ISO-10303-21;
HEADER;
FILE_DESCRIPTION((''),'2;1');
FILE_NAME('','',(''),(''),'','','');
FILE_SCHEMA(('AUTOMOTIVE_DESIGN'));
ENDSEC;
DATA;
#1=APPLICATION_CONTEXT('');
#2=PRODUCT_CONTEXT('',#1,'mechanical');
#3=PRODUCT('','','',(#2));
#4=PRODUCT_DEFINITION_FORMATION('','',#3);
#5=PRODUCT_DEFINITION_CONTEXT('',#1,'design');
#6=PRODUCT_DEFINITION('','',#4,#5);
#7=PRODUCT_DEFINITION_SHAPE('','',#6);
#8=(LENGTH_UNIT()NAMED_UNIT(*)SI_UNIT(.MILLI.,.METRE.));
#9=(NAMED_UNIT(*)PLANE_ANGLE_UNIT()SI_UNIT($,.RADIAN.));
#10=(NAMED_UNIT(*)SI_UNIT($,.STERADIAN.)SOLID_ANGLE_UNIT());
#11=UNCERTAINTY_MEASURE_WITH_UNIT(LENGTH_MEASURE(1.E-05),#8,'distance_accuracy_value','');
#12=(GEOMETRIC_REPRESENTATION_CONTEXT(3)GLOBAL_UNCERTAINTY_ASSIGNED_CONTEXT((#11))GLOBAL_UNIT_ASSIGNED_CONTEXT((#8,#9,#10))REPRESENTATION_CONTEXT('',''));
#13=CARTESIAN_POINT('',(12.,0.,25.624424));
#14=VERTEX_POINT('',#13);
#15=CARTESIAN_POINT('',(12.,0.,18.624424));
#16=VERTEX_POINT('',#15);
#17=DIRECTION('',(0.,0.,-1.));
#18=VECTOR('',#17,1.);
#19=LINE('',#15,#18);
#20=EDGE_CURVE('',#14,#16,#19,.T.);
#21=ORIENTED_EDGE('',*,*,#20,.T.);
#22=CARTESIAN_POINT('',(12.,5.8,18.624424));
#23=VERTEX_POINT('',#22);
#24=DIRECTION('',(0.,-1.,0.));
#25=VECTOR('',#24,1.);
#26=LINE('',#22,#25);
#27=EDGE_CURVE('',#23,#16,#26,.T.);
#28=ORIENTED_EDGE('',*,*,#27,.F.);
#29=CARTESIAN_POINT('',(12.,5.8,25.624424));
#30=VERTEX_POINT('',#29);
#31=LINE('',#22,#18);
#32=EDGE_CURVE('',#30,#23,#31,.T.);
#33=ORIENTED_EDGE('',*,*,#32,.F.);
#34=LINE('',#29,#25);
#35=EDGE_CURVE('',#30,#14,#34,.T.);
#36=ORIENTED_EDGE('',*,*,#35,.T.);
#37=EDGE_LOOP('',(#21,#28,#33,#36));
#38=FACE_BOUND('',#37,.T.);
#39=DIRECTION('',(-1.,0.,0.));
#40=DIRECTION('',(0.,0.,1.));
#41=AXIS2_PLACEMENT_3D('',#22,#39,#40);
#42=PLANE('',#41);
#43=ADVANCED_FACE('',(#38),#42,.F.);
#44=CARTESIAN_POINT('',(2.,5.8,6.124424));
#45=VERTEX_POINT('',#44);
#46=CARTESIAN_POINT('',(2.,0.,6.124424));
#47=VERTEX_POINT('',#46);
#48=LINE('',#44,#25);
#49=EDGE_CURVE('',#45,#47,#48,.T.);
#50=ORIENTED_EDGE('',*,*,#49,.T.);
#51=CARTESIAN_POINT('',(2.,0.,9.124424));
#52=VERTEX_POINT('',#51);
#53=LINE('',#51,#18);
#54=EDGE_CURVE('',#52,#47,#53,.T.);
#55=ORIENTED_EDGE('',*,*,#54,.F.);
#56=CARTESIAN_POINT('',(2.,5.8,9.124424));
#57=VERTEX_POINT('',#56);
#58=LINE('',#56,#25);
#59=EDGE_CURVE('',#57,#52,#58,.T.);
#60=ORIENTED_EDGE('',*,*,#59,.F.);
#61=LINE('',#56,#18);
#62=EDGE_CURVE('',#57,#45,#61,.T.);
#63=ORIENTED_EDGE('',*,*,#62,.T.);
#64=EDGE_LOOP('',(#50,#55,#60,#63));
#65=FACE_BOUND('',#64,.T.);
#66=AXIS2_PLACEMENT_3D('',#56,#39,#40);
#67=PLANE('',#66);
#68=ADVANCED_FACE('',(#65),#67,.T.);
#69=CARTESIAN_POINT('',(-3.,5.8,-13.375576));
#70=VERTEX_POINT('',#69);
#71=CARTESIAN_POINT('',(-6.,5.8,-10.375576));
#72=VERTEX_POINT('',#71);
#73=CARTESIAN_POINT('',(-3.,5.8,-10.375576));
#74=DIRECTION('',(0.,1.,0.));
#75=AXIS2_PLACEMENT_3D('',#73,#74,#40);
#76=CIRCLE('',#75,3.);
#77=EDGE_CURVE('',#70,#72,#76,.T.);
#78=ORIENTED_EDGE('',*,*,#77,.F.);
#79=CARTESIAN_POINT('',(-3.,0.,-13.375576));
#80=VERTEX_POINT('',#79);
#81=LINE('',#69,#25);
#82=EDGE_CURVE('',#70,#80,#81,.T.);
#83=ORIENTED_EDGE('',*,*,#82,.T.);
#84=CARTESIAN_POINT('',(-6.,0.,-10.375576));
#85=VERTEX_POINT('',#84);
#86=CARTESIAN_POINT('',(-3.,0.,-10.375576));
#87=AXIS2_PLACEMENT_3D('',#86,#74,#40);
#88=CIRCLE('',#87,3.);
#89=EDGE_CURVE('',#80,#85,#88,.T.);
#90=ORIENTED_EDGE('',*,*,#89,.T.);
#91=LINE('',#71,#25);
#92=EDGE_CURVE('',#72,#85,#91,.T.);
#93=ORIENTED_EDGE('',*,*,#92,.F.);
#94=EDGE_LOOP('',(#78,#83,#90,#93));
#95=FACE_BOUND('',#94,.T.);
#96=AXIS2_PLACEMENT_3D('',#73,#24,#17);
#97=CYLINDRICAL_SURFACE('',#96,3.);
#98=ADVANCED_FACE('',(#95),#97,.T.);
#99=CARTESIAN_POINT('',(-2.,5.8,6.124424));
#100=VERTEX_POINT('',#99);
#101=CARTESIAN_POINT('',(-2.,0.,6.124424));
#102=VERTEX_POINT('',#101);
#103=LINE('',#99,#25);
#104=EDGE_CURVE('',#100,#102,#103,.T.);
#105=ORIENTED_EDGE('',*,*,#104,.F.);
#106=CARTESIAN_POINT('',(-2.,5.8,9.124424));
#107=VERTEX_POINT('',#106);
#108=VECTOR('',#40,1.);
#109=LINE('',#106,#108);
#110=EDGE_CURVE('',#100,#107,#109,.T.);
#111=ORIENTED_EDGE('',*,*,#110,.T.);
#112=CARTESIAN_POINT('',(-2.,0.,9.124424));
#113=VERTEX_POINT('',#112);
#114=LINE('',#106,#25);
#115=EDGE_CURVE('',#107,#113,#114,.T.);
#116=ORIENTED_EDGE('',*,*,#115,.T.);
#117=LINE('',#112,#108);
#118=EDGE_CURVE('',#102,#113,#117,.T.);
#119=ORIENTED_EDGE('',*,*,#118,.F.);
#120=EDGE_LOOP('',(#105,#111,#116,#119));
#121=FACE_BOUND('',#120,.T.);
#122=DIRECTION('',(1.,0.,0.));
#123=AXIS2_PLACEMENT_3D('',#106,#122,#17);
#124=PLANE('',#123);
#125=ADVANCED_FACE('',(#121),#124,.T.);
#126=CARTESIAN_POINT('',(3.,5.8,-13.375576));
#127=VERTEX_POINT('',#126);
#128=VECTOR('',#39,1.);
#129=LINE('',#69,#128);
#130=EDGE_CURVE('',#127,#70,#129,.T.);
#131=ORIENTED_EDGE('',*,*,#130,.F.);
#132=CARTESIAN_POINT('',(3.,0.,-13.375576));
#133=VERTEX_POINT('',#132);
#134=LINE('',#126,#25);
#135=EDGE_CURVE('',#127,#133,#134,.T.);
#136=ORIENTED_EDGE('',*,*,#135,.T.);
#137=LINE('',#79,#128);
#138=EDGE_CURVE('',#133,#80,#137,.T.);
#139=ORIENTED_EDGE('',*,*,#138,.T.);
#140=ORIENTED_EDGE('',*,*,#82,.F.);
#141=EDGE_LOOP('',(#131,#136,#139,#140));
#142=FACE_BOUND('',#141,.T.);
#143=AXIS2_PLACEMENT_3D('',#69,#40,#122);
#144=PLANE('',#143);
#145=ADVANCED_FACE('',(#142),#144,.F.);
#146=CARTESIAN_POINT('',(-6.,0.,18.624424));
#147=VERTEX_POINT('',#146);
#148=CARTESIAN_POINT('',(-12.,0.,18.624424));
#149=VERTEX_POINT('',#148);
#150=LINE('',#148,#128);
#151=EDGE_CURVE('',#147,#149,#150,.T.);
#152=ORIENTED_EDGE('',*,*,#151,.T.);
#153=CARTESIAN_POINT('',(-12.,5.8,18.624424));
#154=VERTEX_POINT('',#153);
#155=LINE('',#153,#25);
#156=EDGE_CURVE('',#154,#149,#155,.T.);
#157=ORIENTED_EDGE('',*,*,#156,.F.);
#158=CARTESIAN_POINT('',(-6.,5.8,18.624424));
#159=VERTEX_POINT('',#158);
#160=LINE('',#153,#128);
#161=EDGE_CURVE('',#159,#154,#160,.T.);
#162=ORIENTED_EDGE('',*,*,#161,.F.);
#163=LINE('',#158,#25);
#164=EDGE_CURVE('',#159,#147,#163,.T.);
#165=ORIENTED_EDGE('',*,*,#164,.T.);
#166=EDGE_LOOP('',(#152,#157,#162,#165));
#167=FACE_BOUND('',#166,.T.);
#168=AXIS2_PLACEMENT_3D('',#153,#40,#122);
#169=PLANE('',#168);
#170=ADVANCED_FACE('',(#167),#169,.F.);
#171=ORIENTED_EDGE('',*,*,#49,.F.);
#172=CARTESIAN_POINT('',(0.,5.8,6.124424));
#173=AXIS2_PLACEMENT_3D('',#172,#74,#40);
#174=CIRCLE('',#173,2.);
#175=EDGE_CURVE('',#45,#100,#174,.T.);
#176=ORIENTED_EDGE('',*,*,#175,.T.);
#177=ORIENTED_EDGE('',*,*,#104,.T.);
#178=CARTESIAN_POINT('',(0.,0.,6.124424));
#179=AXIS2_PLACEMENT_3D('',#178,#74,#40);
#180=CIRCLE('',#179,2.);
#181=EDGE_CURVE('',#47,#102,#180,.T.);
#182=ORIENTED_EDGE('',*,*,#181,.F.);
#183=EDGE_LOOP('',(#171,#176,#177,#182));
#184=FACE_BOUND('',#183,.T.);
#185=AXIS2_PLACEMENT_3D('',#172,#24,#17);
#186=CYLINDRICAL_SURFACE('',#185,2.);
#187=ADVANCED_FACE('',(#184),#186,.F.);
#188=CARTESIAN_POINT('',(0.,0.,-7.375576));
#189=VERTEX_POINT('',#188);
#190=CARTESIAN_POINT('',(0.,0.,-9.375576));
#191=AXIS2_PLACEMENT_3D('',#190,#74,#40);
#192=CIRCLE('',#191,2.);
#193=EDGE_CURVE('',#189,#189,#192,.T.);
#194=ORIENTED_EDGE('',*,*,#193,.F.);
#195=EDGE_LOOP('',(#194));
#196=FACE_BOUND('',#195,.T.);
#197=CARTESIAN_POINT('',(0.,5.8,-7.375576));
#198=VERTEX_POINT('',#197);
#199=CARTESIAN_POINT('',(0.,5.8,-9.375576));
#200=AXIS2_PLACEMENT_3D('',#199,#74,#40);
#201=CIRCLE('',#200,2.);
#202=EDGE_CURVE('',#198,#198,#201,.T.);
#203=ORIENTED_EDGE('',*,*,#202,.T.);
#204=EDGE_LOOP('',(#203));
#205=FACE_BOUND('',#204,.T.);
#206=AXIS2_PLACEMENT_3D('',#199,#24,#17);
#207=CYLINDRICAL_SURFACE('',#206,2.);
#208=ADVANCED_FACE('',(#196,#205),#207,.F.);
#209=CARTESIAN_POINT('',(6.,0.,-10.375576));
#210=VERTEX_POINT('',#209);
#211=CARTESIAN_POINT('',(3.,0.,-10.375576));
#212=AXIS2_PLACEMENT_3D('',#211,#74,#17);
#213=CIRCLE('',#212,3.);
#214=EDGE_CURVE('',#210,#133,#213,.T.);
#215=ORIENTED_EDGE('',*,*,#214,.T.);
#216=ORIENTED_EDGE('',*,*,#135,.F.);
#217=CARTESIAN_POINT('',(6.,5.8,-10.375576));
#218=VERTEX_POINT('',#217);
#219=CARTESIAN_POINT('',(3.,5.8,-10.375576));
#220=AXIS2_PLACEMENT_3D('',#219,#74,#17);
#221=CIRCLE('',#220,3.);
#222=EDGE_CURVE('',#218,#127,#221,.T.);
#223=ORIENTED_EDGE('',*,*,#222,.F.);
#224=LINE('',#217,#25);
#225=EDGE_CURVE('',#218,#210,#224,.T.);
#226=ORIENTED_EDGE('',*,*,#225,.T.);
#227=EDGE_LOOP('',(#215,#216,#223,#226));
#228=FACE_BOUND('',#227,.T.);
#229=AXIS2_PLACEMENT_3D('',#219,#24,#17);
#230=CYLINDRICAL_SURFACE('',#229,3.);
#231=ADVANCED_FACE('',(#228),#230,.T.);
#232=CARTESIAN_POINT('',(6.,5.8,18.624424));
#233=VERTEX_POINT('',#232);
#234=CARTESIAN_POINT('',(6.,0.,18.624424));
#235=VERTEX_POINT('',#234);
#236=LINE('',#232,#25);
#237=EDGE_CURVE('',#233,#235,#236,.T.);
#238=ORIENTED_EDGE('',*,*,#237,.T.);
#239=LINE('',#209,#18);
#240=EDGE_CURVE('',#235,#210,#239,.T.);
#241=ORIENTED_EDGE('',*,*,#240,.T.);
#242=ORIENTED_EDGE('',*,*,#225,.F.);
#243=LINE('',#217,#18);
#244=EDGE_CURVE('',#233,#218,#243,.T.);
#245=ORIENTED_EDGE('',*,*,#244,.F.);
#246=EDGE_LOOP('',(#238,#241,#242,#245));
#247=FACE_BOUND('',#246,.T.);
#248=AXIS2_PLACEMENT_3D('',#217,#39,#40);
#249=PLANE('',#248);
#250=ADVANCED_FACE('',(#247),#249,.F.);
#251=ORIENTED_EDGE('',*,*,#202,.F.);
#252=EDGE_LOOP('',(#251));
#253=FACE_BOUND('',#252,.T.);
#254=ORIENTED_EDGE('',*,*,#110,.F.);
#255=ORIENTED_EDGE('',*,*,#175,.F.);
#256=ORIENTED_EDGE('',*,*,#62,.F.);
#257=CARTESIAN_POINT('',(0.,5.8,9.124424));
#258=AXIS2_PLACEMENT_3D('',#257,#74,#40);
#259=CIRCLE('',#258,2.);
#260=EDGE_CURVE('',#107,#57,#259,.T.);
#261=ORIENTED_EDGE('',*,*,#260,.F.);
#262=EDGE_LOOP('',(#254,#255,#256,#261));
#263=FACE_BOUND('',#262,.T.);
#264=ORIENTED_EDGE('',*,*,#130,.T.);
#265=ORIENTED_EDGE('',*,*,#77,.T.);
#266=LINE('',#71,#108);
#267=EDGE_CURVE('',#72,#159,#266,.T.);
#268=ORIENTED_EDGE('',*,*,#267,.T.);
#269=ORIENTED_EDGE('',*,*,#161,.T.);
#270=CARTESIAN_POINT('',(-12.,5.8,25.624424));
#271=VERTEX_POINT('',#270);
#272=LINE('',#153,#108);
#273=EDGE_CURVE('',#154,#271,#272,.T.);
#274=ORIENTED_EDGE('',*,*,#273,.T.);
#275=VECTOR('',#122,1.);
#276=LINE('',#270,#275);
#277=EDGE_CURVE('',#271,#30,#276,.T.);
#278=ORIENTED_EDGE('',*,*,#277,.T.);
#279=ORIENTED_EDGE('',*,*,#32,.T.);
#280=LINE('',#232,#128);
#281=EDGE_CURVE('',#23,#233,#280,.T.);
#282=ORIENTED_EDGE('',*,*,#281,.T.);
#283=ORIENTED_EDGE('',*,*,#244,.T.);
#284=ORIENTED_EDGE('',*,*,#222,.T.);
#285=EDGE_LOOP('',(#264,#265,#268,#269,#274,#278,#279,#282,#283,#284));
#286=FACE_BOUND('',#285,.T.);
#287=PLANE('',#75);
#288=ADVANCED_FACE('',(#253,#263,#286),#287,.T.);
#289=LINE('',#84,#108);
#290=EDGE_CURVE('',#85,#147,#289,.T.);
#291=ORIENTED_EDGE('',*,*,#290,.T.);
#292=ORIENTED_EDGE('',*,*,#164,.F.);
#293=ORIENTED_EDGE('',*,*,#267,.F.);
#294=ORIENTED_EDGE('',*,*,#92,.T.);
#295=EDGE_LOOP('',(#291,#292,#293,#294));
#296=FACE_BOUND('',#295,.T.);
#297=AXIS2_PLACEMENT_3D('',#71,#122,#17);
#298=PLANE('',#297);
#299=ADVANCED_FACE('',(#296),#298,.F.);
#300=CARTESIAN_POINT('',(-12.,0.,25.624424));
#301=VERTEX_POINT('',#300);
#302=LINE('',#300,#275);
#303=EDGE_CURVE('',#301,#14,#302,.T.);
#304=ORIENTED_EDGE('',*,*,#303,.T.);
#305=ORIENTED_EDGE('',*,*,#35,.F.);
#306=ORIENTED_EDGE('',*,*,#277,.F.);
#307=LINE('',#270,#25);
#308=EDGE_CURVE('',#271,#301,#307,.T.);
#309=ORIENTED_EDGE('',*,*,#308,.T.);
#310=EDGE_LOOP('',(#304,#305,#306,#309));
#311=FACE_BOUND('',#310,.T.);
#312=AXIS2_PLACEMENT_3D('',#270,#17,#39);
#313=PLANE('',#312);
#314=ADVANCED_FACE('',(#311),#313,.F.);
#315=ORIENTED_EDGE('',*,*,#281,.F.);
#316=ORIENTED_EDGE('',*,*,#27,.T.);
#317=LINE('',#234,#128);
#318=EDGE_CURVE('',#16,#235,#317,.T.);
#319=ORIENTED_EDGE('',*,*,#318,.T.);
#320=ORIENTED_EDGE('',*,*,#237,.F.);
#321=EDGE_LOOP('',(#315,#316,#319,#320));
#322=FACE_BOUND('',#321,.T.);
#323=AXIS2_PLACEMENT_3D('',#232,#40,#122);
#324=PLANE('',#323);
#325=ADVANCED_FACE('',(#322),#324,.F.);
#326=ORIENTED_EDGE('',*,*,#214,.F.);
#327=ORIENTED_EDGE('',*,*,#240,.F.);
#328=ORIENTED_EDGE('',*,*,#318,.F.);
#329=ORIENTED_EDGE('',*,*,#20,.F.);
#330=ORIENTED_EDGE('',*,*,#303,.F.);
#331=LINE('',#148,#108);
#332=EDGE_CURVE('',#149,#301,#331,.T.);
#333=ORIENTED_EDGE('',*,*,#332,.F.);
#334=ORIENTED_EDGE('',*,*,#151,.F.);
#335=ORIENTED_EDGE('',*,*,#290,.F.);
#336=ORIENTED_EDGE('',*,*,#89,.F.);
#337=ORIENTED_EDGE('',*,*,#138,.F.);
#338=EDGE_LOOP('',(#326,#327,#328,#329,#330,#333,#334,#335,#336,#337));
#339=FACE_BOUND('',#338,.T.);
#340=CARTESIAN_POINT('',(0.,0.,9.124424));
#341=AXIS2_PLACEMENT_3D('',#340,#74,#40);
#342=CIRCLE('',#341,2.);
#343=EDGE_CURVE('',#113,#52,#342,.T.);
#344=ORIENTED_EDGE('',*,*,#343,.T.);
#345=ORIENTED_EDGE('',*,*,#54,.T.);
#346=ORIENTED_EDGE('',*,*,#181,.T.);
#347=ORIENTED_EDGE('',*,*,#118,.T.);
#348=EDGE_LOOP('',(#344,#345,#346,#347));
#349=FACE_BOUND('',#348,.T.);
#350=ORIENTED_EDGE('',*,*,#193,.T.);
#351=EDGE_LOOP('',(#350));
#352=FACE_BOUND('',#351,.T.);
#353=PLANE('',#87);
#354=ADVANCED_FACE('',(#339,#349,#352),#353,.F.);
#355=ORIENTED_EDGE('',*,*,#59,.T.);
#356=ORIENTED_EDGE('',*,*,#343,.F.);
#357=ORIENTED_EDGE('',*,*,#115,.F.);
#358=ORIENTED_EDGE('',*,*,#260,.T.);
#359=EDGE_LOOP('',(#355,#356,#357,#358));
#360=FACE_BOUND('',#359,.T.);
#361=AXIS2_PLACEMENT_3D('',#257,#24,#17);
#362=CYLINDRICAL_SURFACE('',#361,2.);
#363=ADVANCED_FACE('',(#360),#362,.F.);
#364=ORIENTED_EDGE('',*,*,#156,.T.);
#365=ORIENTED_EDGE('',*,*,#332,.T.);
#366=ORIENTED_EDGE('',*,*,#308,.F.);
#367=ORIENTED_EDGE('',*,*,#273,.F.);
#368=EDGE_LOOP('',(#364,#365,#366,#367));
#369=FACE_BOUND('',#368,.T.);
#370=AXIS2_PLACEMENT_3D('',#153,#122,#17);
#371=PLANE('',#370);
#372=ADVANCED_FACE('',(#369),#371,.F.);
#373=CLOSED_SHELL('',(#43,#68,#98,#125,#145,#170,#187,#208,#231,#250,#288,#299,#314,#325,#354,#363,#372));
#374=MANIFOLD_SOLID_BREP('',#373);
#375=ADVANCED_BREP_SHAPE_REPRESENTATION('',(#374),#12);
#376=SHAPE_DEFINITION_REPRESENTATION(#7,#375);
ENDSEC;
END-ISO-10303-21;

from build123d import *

# Parameters (mm, degrees)
SKETCH1_R           = 2
BOSS_EXTRUDE1_DEPTH = 5.8


with BuildPart() as part:
    # Sketch1 → Boss-Extrude1 (new body)
    with BuildSketch(Plane(origin=(0, 0, 0), x_dir=(1, 0, 0), z_dir=(0, 1, 0))):
        with BuildLine():
            Line((6, -18.624423913), (12, -18.624423913))
            Line((12, -18.624423913), (12, -25.624423913))
            Line((12, -25.624423913), (-12, -25.624423913))
            Line((-12, -25.624423913), (-12, -18.624423913))
            Line((-12, -18.624423913), (-6, -18.624423913))
            Line((-6, -18.624423913), (-6, 10.375576087))
            ThreePointArc((-6, 10.375576087), (-5.121320344, 12.496896431), (-3, 13.375576087))
            Line((-3, 13.375576087), (3, 13.375576087))
            ThreePointArc((3, 13.375576087), (5.121320344, 12.496896431), (6, 10.375576087))
            Line((6, 10.375576087), (6, -18.624423913))
        make_face()
        with Locations(Location((0, 9.375576087, 0), (0, 0, 270))):
            Circle(SKETCH1_R, mode=Mode.SUBTRACT)
        with BuildLine():
            Line((-2, -9.124423913), (-2, -6.124423913))
            ThreePointArc((-2, -6.124423913), (0, -4.124423913), (2, -6.124423913))
            Line((2, -6.124423913), (2, -9.124423913))
            ThreePointArc((2, -9.124423913), (0, -11.124423913), (-2, -9.124423913))
        make_face(mode=Mode.SUBTRACT)
    extrude(amount=BOSS_EXTRUDE1_DEPTH)


solid = part.part
